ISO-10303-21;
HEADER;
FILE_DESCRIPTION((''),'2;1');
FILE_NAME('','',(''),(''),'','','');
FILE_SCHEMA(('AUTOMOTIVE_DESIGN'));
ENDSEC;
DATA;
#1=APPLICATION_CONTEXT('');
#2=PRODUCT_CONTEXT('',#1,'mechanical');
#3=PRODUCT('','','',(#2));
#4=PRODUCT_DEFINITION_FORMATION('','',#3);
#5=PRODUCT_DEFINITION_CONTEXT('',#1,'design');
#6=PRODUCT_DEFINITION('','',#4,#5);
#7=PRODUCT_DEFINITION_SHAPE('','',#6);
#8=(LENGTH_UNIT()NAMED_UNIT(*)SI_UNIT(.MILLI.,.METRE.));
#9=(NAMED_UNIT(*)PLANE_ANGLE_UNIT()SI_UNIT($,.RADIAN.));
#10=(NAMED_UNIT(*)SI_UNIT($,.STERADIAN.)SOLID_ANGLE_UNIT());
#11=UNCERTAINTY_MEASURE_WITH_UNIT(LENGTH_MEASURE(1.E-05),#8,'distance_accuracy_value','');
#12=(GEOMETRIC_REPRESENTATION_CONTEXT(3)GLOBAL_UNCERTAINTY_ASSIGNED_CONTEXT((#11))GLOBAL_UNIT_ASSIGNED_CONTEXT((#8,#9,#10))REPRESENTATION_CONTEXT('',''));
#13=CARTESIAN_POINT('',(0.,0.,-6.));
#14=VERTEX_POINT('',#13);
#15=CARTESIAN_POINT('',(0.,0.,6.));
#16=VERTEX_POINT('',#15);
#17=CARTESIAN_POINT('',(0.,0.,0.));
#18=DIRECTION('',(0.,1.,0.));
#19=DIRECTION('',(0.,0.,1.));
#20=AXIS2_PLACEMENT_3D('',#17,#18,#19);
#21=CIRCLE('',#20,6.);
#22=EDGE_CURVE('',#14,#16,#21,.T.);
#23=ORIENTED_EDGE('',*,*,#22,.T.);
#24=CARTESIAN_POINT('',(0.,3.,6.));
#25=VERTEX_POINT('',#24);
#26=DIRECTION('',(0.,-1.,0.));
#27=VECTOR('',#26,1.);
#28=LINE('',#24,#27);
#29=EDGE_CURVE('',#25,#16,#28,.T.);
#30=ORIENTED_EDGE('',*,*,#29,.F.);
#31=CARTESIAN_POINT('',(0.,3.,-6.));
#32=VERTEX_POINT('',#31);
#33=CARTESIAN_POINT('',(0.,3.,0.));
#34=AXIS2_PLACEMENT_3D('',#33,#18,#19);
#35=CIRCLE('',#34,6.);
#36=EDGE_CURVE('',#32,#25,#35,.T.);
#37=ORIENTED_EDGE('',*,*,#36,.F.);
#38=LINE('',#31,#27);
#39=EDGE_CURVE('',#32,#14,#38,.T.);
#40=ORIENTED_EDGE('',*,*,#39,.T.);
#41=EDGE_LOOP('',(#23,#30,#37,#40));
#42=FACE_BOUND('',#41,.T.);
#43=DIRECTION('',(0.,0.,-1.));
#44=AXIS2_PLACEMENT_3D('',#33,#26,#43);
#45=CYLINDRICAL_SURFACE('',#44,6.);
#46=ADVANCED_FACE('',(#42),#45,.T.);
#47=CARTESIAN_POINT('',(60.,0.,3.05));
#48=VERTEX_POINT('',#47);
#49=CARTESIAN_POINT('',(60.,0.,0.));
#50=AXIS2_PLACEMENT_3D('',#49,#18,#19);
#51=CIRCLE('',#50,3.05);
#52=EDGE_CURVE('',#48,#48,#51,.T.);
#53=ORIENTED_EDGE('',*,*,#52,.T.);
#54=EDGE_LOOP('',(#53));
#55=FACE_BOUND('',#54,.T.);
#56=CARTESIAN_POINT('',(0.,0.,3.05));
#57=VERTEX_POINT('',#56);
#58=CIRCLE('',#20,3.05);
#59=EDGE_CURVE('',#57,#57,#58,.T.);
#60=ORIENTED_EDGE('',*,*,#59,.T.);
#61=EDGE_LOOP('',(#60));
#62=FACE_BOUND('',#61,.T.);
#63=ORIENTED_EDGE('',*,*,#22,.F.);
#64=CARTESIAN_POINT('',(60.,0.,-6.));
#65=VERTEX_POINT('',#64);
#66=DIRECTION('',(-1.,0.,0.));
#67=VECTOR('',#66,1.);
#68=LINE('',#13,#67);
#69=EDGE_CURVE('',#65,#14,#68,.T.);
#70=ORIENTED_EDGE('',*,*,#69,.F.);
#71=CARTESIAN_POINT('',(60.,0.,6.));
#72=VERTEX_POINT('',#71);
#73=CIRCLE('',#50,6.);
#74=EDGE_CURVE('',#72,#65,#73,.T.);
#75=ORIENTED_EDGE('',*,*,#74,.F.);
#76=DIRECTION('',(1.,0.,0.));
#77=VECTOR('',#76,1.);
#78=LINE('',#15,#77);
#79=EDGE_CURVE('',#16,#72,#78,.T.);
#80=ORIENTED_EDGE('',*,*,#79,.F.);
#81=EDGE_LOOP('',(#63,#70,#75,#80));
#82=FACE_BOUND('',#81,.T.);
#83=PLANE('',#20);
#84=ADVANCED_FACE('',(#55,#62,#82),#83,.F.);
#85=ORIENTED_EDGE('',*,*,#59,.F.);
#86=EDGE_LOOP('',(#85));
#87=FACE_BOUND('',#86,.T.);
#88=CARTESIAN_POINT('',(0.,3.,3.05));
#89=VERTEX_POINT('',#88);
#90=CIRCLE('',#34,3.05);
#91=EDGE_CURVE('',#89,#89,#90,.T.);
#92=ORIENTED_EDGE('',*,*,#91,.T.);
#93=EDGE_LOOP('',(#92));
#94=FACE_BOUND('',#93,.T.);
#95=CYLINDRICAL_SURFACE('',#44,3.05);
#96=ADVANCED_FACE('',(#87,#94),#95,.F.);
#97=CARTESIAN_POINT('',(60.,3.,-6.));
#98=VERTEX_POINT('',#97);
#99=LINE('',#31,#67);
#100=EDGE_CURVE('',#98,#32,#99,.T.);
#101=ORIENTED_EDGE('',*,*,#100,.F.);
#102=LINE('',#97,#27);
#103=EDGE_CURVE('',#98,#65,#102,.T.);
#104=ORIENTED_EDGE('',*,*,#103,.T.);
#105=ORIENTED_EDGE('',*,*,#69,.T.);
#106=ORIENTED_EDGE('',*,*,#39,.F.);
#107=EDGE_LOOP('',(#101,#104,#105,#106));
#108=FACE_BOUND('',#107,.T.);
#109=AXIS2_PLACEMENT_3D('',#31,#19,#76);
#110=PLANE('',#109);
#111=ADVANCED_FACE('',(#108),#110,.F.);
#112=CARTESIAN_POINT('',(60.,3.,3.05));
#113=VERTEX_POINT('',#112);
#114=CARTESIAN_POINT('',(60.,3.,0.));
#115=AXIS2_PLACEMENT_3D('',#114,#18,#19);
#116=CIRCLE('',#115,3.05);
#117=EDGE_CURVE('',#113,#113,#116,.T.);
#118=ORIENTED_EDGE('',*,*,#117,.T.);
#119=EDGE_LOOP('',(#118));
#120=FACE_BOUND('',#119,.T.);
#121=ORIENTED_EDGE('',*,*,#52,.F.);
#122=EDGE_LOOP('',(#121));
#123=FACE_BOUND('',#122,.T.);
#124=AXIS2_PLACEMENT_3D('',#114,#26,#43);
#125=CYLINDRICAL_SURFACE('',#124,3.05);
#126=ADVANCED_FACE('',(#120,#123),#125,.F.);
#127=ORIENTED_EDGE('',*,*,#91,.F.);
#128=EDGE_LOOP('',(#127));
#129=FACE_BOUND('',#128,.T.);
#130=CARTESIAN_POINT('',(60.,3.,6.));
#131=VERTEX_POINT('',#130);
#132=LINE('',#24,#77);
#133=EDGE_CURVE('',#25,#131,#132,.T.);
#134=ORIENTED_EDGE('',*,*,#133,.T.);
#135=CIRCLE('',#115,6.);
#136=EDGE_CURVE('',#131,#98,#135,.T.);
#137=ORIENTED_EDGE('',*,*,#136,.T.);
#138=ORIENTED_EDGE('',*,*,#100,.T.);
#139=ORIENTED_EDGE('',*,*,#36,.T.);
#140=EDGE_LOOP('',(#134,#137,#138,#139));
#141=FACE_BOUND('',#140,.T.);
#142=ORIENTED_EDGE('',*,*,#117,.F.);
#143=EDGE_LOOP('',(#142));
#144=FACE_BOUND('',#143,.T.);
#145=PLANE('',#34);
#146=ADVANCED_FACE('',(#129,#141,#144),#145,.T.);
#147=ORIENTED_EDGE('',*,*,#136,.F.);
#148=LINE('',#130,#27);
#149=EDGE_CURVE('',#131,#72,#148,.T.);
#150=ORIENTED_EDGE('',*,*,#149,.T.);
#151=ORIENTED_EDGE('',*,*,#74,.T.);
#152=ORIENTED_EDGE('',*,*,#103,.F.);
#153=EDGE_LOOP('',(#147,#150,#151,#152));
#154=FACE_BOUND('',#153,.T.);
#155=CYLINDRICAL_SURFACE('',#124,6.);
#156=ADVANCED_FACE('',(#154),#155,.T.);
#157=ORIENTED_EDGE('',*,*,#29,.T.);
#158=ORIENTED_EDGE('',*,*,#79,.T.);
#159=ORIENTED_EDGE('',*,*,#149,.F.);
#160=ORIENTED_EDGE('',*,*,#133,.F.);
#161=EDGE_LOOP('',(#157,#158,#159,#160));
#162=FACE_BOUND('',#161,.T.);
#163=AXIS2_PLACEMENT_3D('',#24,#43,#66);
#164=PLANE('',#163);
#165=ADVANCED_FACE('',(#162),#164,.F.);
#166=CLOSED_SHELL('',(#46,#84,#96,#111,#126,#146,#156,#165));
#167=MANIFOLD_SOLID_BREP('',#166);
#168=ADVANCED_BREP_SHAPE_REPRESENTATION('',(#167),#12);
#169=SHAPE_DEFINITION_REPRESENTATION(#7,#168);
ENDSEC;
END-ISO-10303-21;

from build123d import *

# Parameters (mm, degrees)
SKETCH1_R           = 3.05
BOSS_EXTRUDE1_DEPTH = 3


with BuildPart() as part:
    # Sketch1 → Boss-Extrude1 (new body)
    with BuildSketch(Plane(origin=(0, 0, 0), x_dir=(1, 0, 0), z_dir=(0, 1, 0))):
        with BuildLine():
            Line((0, 6), (60, 6))
            ThreePointArc((60, 6), (66, 0), (60, -6))
            Line((60, -6), (0, -6))
            ThreePointArc((0, -6), (-6, 0), (0, 6))
        make_face()
        with Locations(Location((0, 0, 0), (0, 0, 270))):
            Circle(SKETCH1_R, mode=Mode.SUBTRACT)
        with Locations(Location((60, 0, 0), (0, 0, 270))):
            Circle(SKETCH1_R, mode=Mode.SUBTRACT)
    extrude(amount=BOSS_EXTRUDE1_DEPTH)


solid = part.part
